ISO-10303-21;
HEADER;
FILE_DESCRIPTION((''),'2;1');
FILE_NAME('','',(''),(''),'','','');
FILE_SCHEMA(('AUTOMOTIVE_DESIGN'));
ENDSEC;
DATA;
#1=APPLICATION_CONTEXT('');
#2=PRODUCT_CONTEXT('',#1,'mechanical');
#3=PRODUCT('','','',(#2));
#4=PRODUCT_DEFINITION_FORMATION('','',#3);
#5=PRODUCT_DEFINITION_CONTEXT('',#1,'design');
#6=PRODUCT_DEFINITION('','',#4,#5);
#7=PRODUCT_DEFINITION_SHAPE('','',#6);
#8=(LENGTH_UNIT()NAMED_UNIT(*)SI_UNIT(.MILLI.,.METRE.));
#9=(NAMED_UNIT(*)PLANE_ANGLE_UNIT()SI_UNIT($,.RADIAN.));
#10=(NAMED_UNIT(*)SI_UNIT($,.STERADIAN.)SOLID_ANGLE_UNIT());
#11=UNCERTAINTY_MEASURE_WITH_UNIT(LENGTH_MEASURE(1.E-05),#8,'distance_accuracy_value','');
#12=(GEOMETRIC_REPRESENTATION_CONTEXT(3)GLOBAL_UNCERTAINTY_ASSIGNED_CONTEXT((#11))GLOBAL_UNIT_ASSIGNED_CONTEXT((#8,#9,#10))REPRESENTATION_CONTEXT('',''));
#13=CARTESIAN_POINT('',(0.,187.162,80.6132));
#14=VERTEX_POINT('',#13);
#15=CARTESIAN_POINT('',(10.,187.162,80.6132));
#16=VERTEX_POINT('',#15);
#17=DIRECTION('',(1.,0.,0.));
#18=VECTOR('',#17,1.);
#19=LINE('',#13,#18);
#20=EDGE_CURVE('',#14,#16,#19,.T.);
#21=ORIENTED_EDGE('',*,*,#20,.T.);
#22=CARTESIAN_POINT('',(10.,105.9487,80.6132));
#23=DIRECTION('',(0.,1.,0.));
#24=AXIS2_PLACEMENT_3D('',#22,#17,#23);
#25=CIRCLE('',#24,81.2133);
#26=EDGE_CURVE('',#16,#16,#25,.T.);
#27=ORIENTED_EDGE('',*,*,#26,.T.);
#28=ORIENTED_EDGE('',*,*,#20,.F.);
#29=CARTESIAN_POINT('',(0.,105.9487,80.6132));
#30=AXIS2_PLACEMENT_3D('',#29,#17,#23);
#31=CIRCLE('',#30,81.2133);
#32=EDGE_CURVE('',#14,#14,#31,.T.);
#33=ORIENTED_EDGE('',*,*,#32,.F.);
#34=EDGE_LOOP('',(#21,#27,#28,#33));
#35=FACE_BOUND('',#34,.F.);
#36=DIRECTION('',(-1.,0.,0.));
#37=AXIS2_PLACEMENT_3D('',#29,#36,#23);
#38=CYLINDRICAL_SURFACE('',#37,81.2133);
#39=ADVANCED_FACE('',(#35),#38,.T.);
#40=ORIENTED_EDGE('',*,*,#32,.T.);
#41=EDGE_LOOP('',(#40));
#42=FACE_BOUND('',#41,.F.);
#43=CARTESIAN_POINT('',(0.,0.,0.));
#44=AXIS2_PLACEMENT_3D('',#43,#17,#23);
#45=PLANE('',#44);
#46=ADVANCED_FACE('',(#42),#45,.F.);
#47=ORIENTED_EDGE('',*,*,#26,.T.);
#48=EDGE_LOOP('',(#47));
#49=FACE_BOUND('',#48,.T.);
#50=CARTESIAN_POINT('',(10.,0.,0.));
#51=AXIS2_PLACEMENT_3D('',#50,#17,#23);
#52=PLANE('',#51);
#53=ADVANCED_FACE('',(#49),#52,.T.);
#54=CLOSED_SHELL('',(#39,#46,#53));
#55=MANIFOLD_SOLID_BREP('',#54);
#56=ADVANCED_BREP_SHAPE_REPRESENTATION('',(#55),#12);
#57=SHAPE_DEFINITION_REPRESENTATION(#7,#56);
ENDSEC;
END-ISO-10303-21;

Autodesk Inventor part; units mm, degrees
ref_plane "YZ Plane" through (0, 0, 0) normal (1, 0, 0) x (0, 1, 0)
ref_plane "XZ Plane" through (0, 0, 0) normal (0, 1, 0) x (-1, 0, 0)
ref_plane "XY Plane" through (0, 0, 0) normal (0, 0, 1) x (1, 0, 0)
sketch "Эскиз1" plane through (0, 0, 0) normal (1, 0, 0) x (0, 1, 0)
  circle A0 centre (105.9487, 80.6132) radius 81.2133
  point P0 (0, 0)
  dimension "d0" = 10
extrude "Выдавливание1" add sketch "Эскиз1" along normal blind 10
properties part number "тест2"
